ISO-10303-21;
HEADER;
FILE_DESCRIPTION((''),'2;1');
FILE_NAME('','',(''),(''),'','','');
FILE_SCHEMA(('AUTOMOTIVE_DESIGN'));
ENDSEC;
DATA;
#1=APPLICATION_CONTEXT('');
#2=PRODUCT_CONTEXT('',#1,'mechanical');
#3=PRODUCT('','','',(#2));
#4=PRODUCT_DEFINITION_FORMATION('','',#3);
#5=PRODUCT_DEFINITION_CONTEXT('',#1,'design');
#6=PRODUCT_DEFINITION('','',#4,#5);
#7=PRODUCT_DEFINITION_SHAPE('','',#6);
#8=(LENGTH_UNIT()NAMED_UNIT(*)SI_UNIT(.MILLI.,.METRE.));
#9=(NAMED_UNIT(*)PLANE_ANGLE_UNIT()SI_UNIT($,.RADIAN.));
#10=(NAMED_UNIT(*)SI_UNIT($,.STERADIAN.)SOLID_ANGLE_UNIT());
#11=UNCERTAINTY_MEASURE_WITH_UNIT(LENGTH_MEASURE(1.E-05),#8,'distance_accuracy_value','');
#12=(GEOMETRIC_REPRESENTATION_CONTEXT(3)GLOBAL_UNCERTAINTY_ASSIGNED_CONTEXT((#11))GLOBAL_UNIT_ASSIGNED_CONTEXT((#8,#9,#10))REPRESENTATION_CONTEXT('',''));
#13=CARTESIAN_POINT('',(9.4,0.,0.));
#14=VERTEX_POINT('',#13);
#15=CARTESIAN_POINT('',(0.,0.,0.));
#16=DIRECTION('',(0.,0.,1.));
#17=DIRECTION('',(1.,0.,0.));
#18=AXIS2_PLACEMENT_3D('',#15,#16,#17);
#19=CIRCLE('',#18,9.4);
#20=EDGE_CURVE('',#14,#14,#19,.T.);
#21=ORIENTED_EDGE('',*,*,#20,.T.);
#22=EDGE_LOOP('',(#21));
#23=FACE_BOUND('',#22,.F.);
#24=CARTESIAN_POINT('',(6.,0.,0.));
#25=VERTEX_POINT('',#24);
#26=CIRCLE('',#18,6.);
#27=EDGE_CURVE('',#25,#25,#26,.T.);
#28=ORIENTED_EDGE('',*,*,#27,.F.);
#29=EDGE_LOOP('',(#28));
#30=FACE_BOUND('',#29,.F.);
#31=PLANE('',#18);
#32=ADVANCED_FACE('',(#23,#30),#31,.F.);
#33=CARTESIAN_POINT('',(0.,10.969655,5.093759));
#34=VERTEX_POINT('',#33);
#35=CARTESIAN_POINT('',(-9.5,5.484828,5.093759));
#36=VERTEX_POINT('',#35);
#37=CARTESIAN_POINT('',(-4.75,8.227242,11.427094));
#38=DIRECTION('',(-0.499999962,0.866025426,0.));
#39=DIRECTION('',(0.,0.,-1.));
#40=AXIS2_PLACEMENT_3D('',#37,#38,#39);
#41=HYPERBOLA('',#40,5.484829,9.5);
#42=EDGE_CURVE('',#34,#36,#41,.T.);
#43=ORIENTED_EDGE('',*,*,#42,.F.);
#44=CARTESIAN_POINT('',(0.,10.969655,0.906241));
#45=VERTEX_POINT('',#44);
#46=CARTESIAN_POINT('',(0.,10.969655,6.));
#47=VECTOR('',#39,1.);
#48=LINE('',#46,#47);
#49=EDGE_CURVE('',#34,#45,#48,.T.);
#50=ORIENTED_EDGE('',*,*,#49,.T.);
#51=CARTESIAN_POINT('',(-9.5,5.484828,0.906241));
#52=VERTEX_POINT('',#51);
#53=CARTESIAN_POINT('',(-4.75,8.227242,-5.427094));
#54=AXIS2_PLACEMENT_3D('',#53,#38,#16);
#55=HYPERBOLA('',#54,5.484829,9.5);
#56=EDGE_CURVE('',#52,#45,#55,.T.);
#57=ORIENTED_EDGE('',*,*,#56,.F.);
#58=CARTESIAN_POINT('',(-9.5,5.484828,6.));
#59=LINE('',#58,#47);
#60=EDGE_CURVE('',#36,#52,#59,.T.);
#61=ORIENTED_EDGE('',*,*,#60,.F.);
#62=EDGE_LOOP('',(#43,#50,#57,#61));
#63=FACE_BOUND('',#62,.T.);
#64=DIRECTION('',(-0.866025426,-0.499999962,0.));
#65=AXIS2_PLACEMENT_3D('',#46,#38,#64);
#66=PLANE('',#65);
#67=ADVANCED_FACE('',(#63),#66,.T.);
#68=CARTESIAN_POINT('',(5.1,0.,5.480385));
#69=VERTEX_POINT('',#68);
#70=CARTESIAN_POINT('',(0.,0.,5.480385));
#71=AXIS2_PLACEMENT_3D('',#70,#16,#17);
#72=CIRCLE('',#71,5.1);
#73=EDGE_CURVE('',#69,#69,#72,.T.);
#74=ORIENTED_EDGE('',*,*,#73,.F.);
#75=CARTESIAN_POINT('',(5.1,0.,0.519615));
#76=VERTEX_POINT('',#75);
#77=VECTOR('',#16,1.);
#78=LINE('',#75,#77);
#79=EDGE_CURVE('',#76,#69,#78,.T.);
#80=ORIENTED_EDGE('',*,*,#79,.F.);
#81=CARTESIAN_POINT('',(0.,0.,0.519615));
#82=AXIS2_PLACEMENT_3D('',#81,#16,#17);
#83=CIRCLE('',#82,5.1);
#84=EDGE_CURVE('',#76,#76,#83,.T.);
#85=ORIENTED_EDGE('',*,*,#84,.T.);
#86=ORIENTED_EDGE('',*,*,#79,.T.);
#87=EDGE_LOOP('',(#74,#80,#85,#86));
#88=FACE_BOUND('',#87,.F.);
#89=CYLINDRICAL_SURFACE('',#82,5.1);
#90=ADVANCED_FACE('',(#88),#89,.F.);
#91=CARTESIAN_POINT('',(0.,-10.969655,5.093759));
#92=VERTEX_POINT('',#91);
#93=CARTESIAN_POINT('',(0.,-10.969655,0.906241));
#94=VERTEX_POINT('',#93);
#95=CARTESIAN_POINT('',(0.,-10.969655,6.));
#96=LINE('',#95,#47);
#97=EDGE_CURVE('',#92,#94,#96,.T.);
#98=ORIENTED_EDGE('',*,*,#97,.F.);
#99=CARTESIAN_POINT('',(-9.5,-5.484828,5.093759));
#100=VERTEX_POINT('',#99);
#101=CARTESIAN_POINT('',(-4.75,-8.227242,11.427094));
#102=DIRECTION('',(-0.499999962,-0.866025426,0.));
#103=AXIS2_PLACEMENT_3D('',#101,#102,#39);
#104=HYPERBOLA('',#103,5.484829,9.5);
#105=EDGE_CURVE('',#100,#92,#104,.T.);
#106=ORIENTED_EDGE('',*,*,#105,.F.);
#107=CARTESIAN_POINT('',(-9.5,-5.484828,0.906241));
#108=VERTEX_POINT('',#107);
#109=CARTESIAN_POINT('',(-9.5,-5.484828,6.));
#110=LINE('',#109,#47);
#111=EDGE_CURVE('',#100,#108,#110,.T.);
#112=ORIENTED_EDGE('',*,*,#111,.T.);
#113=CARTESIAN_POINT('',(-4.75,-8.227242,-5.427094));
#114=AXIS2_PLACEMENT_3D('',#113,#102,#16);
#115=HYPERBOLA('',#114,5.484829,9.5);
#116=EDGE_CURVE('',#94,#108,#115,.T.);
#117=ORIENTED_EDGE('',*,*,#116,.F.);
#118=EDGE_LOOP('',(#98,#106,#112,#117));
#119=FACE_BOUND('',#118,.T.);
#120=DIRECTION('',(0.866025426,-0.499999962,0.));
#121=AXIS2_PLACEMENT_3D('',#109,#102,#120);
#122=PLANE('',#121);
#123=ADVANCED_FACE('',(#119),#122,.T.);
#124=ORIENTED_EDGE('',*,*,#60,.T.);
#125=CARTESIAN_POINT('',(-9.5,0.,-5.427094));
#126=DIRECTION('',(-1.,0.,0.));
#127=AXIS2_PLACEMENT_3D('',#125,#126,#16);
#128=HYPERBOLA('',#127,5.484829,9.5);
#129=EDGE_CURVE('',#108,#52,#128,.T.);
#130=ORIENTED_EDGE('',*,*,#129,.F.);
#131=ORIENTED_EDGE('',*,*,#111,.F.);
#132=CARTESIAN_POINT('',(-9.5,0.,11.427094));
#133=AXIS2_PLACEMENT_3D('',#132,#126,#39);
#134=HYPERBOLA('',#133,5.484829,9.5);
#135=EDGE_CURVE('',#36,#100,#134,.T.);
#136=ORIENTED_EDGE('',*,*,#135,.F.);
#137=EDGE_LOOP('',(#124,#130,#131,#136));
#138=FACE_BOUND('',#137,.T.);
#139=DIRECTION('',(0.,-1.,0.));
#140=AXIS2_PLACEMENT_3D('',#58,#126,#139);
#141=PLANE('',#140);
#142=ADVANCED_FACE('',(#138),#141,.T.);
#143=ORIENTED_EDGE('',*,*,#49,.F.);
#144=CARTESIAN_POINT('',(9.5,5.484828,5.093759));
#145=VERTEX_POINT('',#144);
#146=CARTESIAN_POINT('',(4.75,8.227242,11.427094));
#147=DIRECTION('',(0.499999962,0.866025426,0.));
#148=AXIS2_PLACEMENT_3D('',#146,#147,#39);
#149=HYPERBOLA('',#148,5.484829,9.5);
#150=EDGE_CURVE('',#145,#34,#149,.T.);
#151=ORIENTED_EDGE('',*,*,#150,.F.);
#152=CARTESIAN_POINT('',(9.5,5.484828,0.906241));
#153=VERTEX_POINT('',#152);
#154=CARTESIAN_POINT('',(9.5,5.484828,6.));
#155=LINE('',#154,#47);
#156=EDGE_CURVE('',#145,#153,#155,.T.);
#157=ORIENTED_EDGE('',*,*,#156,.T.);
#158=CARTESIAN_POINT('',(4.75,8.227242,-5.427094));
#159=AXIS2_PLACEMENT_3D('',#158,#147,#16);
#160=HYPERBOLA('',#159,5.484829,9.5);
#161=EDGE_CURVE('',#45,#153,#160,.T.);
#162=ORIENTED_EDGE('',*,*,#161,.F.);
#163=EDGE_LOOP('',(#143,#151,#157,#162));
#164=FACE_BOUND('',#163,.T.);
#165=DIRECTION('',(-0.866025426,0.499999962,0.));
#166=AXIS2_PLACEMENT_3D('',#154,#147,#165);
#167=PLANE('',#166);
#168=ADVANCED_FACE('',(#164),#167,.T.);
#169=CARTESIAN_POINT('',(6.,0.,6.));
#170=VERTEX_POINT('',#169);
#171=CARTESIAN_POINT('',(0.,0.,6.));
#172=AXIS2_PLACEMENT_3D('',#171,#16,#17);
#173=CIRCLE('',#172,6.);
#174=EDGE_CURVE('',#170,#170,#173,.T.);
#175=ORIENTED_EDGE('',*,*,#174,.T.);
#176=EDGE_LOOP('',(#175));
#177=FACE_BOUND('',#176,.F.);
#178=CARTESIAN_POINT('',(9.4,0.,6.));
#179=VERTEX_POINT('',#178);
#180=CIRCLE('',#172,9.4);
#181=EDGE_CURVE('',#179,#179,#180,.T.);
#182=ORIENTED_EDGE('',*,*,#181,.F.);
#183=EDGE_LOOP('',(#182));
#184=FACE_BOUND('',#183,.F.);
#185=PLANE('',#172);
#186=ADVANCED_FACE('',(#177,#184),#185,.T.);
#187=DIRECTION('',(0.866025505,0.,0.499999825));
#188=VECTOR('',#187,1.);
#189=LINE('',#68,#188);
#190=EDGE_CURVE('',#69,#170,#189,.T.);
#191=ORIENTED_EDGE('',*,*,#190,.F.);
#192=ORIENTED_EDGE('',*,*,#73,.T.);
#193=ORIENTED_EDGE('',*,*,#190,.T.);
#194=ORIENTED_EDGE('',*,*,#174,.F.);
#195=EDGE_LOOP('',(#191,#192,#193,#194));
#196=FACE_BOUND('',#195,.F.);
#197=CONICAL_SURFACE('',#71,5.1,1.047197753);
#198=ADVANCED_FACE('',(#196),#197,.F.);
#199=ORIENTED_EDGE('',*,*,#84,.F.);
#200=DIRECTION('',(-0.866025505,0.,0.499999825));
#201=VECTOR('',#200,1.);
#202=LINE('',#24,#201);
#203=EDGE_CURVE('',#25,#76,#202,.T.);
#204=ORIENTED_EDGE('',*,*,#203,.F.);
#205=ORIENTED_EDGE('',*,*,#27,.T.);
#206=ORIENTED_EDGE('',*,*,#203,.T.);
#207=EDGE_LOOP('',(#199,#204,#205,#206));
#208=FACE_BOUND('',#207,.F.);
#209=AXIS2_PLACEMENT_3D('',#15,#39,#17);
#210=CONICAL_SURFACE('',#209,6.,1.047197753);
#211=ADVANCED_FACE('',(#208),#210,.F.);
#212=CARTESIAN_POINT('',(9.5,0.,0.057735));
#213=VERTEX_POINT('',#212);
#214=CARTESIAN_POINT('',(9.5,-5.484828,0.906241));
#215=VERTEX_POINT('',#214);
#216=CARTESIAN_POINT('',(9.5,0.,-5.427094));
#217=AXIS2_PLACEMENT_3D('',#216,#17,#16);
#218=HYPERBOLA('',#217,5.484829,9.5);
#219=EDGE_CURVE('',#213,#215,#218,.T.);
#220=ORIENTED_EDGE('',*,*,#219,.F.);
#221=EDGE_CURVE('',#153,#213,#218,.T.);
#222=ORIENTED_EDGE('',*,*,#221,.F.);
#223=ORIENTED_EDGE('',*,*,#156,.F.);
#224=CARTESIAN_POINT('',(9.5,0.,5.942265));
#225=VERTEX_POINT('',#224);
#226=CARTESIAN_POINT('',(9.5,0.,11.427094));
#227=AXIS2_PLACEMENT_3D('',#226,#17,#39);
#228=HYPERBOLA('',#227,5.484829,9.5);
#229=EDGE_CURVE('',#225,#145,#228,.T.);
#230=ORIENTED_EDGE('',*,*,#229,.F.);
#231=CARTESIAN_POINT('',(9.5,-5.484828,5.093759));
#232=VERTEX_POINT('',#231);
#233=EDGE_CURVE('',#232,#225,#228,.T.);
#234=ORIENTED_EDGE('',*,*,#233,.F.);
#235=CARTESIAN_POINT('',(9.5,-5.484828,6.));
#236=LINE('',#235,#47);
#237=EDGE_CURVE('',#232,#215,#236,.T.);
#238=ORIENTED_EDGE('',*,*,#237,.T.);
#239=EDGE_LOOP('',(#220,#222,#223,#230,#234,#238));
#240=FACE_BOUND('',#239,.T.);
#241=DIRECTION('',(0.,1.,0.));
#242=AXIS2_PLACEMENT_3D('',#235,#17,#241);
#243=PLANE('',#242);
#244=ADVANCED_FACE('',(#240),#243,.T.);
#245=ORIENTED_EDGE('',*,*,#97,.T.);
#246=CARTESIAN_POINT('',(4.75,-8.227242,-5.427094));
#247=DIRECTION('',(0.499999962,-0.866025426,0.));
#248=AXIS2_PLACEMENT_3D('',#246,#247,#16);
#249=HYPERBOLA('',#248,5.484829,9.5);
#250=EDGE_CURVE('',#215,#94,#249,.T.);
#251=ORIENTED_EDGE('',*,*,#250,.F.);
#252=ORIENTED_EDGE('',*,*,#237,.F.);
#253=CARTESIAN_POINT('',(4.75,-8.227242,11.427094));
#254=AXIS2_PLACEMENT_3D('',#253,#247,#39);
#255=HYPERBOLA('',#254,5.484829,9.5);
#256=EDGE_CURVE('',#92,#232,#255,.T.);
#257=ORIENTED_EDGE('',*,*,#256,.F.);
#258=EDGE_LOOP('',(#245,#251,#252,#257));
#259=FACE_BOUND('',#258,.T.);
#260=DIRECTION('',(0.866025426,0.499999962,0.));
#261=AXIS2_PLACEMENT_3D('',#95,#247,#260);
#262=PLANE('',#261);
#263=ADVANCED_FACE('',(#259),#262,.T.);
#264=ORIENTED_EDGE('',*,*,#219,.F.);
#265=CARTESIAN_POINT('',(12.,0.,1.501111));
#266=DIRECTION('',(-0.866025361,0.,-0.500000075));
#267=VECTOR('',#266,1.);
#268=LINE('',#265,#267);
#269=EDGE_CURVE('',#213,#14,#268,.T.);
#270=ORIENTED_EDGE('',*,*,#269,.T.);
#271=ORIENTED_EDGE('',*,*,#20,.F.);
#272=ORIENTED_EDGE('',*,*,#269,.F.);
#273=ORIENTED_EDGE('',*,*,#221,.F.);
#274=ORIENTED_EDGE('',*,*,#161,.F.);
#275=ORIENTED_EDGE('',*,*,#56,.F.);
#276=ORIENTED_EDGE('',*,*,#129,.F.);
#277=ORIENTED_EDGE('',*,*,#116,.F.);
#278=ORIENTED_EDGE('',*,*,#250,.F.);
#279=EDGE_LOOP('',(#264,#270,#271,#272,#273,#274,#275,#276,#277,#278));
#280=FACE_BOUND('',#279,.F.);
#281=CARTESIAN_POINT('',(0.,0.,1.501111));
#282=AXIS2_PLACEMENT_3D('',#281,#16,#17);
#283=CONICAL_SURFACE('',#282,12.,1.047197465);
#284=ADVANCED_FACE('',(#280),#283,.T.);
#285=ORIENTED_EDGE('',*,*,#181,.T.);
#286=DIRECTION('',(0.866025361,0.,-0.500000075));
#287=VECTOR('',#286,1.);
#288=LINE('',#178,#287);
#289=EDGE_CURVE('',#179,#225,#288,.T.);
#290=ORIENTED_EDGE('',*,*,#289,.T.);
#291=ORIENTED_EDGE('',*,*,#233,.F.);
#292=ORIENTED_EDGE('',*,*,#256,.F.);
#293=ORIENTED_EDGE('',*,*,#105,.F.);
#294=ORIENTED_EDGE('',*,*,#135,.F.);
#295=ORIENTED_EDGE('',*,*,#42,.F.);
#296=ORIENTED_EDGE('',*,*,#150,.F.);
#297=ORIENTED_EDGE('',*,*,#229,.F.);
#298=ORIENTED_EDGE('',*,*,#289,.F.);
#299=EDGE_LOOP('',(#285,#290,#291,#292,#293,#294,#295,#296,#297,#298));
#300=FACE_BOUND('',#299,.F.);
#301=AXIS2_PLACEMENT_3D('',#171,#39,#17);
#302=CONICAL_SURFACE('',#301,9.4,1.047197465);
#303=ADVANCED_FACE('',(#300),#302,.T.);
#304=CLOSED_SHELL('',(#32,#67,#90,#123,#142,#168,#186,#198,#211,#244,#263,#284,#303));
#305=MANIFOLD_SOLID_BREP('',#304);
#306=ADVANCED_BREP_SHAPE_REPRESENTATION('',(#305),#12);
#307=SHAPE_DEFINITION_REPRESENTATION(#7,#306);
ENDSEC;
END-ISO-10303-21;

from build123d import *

# Parameters (mm, degrees)
SKETCH001_R  = 12
POCKET_DEPTH = 6


with BuildPart() as part:
    # Sketch → Revolution (revolve)
    with BuildSketch(Plane.XZ):
        Polygon((6, 0), (5.1, 0.519615), (5.1, 5.480385), (6, 6), (9.4, 6), (12, 4.498889), (12, 1.501111), (9.4, 0), align=None)
    revolve(axis=Axis((0, 0, 0), (0, 0, 1)))

    # Sketch001 → Pocket (cut)
    with BuildSketch(Plane(origin=(0, 0, 6), x_dir=(-1, 0, 0), z_dir=(0, 0, 1))):
        Circle(SKETCH001_R)
        Polygon((-9.5, 5.484828), (-9.5, -5.484828), (0, -10.969655), (9.5, -5.484828), (9.5, 5.484828), (0, 10.969655), align=None, mode=Mode.SUBTRACT)
    extrude(amount=-POCKET_DEPTH, mode=Mode.SUBTRACT)


solid = part.part
